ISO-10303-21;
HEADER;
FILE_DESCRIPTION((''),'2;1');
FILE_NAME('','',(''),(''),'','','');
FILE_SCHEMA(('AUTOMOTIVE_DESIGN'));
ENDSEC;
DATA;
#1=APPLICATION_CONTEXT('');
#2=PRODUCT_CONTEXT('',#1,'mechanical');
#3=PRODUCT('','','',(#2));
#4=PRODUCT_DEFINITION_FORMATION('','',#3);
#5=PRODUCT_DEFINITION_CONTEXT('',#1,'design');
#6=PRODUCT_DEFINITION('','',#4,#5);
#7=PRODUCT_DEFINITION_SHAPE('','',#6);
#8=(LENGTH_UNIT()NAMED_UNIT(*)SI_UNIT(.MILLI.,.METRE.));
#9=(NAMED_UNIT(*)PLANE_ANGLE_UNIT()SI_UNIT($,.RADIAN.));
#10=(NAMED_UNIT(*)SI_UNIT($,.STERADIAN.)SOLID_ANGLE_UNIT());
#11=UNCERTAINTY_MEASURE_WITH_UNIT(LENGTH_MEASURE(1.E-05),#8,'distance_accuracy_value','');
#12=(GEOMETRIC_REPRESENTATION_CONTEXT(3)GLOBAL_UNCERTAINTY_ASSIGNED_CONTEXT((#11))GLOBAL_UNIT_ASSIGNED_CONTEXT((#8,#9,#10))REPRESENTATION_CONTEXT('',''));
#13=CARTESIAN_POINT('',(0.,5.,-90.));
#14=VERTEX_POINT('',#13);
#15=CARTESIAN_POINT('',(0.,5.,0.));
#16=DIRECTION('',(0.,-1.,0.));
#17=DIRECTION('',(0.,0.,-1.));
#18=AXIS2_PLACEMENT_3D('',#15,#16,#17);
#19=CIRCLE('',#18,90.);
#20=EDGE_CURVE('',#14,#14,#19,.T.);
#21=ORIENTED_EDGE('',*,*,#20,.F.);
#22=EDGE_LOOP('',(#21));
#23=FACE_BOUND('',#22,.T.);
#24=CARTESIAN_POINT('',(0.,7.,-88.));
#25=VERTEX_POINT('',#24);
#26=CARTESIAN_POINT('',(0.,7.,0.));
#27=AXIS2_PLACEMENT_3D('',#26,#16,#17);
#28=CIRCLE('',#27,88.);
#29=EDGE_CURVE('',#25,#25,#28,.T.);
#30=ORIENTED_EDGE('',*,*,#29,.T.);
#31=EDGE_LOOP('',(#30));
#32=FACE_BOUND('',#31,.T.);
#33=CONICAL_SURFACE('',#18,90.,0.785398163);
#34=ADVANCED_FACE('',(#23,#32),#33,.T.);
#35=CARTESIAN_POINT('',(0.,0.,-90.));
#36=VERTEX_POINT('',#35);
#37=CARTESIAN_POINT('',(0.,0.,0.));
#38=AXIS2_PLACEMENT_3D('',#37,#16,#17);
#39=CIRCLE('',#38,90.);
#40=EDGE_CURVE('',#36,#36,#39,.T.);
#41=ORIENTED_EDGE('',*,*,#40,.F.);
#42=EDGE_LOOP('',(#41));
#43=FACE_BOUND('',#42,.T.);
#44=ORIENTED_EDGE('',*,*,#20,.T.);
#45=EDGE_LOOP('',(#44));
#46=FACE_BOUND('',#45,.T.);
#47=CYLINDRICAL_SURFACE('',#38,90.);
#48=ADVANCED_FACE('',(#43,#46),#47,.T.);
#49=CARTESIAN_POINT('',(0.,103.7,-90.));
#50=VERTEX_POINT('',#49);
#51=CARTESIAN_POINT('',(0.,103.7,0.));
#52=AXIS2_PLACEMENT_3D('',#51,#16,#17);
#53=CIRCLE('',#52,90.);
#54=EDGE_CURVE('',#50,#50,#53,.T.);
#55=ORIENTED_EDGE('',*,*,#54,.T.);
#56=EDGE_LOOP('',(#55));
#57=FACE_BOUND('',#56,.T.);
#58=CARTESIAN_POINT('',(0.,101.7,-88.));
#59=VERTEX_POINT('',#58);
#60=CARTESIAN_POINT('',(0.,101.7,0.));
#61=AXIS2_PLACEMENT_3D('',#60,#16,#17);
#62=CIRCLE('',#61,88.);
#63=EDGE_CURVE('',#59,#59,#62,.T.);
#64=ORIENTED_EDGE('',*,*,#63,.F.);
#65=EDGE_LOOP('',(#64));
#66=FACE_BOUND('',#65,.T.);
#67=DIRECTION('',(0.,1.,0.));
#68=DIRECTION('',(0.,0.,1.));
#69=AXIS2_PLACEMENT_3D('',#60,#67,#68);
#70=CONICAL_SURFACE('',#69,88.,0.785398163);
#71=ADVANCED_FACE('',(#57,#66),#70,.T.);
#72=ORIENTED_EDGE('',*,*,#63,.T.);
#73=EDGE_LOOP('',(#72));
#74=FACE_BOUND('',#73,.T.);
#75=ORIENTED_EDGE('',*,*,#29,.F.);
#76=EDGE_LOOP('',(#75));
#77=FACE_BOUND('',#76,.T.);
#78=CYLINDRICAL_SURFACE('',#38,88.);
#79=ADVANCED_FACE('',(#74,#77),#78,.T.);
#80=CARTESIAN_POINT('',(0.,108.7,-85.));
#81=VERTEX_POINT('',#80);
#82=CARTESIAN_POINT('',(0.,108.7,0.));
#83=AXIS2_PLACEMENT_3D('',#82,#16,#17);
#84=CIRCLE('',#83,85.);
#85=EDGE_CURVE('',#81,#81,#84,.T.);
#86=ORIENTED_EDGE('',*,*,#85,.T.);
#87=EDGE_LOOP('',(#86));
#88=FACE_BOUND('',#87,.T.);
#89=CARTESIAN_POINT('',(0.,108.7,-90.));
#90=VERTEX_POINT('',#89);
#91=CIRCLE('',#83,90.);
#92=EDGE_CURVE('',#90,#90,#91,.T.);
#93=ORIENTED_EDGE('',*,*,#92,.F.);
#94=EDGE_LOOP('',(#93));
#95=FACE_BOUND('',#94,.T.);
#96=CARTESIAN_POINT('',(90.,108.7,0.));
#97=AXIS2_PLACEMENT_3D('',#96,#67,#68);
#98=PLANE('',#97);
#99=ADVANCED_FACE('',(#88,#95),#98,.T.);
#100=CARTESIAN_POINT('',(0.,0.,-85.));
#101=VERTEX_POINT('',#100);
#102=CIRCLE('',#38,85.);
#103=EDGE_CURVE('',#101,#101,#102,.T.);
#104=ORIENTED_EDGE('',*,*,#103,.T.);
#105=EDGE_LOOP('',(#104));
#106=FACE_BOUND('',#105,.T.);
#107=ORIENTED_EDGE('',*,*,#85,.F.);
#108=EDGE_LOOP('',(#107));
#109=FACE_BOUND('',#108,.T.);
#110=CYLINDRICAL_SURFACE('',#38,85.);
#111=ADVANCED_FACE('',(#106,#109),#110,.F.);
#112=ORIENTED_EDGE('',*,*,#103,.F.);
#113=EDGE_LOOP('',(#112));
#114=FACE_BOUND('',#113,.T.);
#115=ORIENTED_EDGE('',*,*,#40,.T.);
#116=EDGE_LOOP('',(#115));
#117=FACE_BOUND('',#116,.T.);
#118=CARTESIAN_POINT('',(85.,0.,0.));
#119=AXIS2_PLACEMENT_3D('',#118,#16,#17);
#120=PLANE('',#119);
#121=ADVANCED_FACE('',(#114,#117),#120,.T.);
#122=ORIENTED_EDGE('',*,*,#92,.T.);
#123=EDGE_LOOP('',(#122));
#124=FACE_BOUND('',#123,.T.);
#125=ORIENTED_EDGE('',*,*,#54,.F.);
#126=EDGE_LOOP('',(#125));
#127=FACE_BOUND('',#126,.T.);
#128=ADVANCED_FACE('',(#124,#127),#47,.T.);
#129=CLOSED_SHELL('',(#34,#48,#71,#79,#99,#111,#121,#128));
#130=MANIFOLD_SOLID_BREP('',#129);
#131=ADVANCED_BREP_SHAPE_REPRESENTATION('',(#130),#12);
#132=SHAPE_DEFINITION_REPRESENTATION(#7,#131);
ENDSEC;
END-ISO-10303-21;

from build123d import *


with BuildPart() as part:
    # Sketch1 → Revolve1 (revolve)
    with BuildSketch(Plane.XY):
        Polygon((85, 0), (90, 0), (90, 5), (88, 7), (88, 101.7), (90, 103.7), (90, 108.7), (85, 108.7), align=None)
    revolve(axis=Axis((0, 0, 0), (0, 1, 0)))


solid = part.part
